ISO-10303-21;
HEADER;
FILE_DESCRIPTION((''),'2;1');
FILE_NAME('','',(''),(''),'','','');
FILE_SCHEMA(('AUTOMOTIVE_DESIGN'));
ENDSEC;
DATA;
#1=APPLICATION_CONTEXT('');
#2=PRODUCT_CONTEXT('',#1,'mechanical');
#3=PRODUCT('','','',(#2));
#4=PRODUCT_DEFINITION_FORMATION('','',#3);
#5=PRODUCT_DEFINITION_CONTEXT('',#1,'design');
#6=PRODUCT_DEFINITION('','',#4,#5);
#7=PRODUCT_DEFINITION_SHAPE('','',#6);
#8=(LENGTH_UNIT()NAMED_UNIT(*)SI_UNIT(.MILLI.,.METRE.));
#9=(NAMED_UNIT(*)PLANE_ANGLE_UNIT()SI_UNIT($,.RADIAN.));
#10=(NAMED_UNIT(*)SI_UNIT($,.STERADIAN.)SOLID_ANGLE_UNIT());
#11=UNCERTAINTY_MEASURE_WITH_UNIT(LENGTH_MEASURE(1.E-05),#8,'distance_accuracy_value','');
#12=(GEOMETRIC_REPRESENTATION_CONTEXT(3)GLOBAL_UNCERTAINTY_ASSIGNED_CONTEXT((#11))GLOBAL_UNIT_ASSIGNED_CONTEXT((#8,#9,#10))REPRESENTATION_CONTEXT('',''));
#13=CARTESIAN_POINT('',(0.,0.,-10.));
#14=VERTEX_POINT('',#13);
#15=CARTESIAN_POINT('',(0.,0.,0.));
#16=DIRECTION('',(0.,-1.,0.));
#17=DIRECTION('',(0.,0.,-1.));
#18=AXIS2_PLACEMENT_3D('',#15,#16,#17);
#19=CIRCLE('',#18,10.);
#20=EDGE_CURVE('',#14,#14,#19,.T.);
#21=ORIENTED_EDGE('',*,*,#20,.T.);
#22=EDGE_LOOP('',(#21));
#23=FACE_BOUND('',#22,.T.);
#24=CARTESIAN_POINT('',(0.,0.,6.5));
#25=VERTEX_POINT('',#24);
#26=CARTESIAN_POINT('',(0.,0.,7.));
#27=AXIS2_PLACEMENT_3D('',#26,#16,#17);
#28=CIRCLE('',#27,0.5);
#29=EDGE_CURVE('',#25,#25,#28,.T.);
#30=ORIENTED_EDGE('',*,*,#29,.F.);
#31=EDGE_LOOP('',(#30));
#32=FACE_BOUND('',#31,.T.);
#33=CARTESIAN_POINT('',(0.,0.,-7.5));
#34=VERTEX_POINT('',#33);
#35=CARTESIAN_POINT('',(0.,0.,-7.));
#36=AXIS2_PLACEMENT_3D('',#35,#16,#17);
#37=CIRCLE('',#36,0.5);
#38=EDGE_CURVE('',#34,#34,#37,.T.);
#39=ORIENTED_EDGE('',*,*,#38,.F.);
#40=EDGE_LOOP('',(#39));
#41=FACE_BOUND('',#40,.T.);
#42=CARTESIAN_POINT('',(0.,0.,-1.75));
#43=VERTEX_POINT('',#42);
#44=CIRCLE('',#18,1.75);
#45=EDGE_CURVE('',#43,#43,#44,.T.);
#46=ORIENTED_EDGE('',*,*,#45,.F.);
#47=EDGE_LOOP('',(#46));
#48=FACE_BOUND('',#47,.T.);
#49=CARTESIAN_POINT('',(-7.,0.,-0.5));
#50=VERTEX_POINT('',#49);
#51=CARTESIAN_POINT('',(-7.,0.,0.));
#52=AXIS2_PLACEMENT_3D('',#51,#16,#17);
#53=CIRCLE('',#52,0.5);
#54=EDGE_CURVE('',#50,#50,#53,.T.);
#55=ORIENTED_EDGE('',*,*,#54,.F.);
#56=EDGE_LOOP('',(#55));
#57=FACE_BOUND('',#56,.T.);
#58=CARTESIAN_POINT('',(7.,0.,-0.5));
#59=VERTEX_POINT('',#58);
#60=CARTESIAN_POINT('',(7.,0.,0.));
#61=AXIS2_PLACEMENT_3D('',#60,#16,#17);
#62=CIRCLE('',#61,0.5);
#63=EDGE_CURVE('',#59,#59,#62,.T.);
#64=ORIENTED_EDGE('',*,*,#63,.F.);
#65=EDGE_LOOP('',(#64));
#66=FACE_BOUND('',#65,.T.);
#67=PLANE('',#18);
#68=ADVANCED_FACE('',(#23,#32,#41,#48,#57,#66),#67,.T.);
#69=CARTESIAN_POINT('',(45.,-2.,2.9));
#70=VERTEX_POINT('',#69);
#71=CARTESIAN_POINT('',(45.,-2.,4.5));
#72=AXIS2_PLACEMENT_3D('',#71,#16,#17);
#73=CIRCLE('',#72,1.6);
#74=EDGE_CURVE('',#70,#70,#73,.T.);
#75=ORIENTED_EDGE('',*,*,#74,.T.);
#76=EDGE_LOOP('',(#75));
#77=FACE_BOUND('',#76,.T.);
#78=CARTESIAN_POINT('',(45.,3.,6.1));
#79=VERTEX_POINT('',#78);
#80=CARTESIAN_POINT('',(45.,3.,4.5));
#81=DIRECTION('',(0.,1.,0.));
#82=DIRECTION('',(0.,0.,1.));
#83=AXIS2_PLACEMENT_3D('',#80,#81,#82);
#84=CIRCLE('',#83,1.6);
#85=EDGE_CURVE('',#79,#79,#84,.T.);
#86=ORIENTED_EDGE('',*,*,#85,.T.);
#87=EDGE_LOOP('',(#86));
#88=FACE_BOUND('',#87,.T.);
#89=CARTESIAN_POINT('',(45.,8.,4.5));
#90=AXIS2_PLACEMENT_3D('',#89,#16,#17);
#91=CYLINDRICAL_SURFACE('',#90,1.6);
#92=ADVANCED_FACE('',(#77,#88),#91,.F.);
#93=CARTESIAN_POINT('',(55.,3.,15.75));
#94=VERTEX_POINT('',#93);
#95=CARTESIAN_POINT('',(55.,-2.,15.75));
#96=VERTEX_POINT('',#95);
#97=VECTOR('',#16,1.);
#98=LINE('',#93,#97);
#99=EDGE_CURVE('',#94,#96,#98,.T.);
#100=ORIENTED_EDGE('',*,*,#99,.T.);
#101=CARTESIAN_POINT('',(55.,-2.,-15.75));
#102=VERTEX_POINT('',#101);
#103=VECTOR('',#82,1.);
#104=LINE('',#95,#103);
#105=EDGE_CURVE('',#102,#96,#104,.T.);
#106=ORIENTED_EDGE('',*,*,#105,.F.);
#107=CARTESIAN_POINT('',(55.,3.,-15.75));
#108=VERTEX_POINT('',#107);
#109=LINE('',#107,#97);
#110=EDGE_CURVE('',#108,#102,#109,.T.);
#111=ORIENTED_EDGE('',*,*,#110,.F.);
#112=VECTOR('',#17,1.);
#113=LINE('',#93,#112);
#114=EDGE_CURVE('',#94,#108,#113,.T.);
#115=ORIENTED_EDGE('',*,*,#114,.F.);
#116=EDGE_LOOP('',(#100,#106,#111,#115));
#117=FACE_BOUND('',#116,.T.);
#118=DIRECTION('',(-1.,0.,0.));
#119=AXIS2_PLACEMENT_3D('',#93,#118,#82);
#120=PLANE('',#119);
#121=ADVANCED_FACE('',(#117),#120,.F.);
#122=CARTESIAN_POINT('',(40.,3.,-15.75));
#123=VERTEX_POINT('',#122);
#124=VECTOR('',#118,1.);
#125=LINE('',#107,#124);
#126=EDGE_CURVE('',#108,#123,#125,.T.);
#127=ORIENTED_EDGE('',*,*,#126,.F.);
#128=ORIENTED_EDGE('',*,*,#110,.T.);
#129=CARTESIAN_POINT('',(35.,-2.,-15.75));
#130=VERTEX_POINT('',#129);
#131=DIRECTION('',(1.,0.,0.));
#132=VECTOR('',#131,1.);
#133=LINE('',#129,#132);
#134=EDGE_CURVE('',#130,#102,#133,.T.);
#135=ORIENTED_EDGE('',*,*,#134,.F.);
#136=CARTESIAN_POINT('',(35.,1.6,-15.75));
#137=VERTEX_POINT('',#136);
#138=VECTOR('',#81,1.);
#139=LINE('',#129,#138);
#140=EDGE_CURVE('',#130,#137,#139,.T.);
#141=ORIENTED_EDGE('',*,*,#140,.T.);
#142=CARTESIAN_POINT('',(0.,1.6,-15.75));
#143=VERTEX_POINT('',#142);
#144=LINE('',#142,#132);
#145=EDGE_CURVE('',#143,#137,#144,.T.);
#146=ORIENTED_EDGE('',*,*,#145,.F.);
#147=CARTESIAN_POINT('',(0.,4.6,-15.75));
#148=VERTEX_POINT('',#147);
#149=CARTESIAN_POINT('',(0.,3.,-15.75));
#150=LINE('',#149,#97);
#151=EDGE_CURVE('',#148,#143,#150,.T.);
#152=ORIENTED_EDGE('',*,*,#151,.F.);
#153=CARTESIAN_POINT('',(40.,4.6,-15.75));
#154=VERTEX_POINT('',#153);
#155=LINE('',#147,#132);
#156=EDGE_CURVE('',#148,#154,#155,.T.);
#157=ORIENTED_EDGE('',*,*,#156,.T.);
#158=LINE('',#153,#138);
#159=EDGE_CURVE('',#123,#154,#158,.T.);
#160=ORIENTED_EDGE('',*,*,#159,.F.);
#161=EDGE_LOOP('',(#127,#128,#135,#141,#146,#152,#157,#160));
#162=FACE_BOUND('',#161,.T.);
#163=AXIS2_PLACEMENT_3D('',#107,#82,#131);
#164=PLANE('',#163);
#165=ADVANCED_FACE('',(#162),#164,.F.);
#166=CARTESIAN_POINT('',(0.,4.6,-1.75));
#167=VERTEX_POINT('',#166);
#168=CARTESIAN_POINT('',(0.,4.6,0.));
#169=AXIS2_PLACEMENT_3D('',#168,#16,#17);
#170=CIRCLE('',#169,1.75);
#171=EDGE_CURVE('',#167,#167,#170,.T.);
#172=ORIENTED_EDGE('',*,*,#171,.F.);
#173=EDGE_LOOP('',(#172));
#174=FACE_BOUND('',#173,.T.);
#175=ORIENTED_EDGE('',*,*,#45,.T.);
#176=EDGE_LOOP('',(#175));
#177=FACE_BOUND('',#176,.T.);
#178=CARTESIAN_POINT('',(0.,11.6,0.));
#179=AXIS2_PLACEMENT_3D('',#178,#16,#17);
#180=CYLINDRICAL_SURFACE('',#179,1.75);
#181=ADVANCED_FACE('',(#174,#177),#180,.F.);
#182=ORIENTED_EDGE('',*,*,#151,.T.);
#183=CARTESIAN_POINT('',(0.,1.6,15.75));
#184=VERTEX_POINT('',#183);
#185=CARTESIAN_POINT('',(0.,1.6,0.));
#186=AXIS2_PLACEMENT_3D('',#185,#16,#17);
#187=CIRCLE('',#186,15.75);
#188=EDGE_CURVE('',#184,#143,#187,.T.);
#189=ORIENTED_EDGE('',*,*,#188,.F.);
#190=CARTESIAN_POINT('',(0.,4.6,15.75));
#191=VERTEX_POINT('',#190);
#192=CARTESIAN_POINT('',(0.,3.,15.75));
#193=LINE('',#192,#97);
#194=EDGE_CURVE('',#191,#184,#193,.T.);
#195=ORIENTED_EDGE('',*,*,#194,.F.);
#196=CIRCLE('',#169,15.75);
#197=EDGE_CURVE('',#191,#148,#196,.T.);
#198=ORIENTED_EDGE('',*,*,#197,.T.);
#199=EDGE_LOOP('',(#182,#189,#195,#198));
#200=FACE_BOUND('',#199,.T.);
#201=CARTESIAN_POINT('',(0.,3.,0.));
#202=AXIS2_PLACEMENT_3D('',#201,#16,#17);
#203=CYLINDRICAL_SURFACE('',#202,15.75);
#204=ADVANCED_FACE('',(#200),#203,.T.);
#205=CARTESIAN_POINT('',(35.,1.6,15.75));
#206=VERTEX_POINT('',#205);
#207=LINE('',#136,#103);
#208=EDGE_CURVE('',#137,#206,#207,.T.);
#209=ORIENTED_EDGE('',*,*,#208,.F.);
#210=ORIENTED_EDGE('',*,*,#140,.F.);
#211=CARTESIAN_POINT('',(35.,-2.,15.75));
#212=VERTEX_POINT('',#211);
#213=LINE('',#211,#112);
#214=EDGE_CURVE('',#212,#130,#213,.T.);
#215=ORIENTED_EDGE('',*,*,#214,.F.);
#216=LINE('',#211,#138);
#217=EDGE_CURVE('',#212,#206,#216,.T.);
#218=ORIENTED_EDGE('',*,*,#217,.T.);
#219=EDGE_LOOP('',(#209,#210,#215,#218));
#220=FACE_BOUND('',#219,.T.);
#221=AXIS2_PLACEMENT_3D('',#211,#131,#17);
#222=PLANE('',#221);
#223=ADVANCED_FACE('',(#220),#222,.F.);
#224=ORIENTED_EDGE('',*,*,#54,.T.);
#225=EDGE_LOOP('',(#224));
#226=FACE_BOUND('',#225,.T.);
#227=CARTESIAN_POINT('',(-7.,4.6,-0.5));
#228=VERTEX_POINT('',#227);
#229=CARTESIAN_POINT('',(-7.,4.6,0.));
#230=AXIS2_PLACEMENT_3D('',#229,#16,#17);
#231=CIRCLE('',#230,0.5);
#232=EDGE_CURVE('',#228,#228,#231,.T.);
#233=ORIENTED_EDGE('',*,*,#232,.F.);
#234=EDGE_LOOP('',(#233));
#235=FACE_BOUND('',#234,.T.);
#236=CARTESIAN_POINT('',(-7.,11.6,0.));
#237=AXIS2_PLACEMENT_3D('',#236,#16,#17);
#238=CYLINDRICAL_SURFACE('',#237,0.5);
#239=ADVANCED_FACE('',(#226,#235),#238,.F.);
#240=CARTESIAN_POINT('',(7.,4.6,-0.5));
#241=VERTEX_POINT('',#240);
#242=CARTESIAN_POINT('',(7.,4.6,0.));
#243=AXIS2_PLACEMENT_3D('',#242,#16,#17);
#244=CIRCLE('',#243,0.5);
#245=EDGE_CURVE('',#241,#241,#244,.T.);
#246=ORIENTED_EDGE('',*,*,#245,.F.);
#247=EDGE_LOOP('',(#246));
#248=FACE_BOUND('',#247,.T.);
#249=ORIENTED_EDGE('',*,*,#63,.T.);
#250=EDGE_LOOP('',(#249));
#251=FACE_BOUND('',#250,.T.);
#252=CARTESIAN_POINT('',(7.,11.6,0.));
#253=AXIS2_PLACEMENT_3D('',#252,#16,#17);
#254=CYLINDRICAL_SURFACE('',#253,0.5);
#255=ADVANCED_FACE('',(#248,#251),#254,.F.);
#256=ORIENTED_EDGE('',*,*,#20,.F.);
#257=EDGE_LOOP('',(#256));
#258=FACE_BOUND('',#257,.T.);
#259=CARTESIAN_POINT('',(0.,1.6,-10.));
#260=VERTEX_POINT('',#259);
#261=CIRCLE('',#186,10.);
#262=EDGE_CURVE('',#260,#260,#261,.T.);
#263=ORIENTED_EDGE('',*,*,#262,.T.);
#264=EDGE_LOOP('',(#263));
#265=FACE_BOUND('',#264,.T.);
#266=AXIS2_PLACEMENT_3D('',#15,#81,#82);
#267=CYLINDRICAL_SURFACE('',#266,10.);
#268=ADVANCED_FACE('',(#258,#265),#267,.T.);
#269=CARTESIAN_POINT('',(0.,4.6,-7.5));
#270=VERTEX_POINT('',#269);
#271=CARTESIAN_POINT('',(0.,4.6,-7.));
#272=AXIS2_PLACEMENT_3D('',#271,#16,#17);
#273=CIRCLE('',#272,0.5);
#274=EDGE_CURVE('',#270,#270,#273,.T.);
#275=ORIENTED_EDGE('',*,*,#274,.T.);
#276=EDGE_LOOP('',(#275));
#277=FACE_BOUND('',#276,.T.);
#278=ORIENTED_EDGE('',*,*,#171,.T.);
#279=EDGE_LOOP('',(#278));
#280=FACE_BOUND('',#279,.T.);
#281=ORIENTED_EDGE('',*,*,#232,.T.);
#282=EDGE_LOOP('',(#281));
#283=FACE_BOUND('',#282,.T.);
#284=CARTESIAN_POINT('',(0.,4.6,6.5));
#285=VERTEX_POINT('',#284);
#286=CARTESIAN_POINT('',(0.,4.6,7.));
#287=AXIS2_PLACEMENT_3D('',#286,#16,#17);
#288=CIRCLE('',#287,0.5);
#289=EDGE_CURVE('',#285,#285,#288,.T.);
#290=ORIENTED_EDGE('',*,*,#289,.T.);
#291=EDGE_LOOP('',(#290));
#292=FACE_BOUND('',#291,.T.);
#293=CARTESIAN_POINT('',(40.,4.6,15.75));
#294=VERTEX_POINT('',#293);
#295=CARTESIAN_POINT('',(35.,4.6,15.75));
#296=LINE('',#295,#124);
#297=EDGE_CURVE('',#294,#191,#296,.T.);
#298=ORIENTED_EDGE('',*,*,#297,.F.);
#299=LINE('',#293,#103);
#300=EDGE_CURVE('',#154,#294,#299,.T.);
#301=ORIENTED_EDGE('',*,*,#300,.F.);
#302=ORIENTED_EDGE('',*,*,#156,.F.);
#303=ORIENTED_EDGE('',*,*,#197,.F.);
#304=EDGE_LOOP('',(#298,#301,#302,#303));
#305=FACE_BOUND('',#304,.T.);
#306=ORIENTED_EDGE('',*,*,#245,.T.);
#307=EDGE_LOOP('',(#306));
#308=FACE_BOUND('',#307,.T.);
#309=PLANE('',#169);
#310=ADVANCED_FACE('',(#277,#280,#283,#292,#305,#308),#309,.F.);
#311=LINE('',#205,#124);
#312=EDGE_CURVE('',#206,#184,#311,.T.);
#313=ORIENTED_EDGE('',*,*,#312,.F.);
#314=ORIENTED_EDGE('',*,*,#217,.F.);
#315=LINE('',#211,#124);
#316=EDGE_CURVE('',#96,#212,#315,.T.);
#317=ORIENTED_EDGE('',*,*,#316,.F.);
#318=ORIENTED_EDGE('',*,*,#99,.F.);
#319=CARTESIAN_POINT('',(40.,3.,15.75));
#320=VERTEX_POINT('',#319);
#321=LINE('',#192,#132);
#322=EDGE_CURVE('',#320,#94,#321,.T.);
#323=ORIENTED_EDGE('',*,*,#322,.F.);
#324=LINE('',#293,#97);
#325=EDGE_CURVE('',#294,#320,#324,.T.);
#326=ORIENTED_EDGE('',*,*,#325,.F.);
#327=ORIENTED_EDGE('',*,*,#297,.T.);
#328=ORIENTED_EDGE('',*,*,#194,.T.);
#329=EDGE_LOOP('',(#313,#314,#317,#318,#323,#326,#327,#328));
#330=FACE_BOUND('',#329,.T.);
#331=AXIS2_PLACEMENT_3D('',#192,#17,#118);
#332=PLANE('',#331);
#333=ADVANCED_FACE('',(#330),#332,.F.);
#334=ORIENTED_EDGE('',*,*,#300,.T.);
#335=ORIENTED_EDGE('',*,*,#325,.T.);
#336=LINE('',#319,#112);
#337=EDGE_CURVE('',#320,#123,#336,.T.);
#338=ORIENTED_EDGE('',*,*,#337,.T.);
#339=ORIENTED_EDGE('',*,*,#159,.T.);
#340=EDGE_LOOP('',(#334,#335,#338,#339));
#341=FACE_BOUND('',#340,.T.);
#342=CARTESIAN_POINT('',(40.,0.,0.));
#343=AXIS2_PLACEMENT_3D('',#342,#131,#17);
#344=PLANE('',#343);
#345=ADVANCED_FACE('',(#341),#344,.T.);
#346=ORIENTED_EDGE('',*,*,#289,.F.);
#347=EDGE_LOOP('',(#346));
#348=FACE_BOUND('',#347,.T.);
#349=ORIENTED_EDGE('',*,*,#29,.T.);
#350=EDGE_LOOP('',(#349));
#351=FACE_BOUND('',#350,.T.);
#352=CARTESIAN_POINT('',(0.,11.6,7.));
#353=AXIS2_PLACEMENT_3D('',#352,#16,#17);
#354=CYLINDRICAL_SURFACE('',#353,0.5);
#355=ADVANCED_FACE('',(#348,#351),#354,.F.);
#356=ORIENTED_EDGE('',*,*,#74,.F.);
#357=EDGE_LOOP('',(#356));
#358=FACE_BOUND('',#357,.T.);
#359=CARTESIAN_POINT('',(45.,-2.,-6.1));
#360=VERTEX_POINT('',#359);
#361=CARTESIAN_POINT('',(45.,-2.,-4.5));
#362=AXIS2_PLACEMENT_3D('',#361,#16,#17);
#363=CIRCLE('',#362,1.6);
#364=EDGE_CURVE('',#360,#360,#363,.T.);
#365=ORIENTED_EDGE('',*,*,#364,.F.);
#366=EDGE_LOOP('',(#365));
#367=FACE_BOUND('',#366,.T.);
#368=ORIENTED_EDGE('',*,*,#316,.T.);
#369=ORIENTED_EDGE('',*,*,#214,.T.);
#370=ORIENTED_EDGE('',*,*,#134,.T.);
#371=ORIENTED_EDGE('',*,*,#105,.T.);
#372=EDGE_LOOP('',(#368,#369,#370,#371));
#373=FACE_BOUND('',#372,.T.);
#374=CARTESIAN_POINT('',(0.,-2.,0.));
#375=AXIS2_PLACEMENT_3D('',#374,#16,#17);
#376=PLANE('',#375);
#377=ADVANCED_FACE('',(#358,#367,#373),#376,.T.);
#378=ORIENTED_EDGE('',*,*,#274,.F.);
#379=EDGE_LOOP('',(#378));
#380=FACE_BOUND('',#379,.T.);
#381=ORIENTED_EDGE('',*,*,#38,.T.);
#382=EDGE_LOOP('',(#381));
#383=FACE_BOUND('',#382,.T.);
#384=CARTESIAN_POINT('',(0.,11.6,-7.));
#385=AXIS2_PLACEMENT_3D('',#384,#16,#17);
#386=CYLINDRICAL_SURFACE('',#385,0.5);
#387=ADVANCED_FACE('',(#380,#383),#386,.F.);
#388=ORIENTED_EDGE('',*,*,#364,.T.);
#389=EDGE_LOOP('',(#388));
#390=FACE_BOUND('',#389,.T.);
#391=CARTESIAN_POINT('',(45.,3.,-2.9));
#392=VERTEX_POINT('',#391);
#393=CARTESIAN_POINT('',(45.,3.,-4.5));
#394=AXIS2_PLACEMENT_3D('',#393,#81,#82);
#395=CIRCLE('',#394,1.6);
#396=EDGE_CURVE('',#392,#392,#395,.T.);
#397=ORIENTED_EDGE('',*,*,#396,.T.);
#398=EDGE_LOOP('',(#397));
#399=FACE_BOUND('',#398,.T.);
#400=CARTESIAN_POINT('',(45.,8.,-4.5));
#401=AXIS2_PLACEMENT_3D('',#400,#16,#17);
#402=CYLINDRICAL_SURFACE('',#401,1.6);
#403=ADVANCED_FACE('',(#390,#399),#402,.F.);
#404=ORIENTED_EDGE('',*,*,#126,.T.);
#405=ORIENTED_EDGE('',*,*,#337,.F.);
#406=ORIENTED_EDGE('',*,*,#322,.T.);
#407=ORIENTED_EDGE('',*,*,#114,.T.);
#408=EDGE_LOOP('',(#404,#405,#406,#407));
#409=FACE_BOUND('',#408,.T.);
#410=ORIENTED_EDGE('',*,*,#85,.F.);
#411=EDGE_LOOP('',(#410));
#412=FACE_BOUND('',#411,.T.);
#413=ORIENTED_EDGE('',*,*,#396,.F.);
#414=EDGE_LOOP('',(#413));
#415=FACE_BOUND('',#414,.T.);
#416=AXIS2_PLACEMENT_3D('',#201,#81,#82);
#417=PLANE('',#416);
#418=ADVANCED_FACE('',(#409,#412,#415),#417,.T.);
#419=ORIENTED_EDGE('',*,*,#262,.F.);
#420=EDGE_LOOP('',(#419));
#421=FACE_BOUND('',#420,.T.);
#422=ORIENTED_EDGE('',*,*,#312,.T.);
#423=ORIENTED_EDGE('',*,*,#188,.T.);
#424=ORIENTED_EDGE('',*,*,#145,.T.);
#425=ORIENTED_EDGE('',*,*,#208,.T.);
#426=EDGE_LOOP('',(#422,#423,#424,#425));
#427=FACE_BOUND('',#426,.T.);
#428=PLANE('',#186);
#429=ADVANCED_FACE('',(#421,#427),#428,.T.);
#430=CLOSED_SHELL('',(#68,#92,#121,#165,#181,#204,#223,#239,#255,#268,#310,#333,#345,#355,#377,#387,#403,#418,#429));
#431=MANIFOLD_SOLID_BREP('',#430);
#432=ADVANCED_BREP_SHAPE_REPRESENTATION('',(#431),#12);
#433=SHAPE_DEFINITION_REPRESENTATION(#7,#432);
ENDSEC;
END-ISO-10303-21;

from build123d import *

# Parameters (mm, degrees)
EXTRUDE_1_DEPTH     = 3
SKETCH_3_W          = 20
SKETCH_3_H          = 31.5
EXTRUDE_2_DEPTH     = 2
SKETCH_4_R          = 0.5
CUT_EXTRUDE_1_DEPTH = 10
SKETCH_5_R          = 1.6
CUT_EXTRUDE_2_DEPTH = 10
SKETCH_6_R          = 1.75
CUT_EXTRUDE_3_DEPTH = 17
CUT_EXTRUDE_4_DEPTH = 1.6
EXTRUDE_3_DEPTH     = 3
SKETCH_9_W          = 31.5
SKETCH_9_H          = 1.6
EXTRUDE_4_DEPTH     = 3
SKETCH_10_R         = 1.75
SKETCH_10_R_2       = 0.5
CUT_EXTRUDE_5_DEPTH = 10
SKETCH_12_R         = 10
EXTRUDE_6_DEPTH     = 1.6
SKETCH_13_W         = 31.5
SKETCH_13_H         = 1.6
EXTRUDE_7_DEPTH     = 2
SKETCH_15_R         = 1.75
SKETCH_15_R_2       = 0.5
CUT_EXTRUDE_6_DEPTH = 12


with BuildPart() as part:
    # 草图1 → 凸台-拉伸1 (new body)
    with BuildSketch(Plane(origin=(0, 0, 0), x_dir=(1, 0, 0), z_dir=(0, 1, 0))):
        with BuildLine():
            Line((0, -15.75), (55, -15.75))
            Line((55, -15.75), (55, 15.75))
            Line((55, 15.75), (0, 15.75))
            ThreePointArc((0, 15.75), (-15.75, 0), (0, -15.75))
        make_face()
    extrude(amount=EXTRUDE_1_DEPTH)

    # 草图3 → 凸台-拉伸2 (add)
    with BuildSketch(Plane.XZ):
        with Locations((45, 0)):
            Rectangle(SKETCH_3_W, SKETCH_3_H)
    extrude(amount=EXTRUDE_2_DEPTH)

    # 草图4 → 切除-拉伸1 (cut)
    with BuildSketch(Plane.XZ):
        with Locations((0, 7)):
            Circle(SKETCH_4_R)
        with Locations((7, 0)):
            Circle(SKETCH_4_R)
        with Locations((0, -7)):
            Circle(SKETCH_4_R)
        with Locations((-7, 0)):
            Circle(SKETCH_4_R)
    extrude(amount=-CUT_EXTRUDE_1_DEPTH, mode=Mode.SUBTRACT)

    # 草图5 → 切除-拉伸2 (cut)
    with BuildSketch(Plane.XZ.offset(2)):
        with Locations((45, -4.5)):
            Circle(SKETCH_5_R)
        with Locations((45, 4.5)):
            Circle(SKETCH_5_R)
    extrude(amount=-CUT_EXTRUDE_2_DEPTH, mode=Mode.SUBTRACT)

    # 草图6 → 切除-拉伸3 (cut)
    with BuildSketch(Plane.XZ):
        Circle(SKETCH_6_R)
    extrude(amount=-CUT_EXTRUDE_3_DEPTH, mode=Mode.SUBTRACT)

    # 草图7 → 切除-拉伸4 (cut)
    with BuildSketch(Plane.XZ):
        with BuildLine():
            Line((35, -15.75), (35, 15.75))
            Line((35, 15.75), (0, 15.75))
            ThreePointArc((0, 15.75), (-15.75, 0), (0, -15.75))
            Line((0, -15.75), (35, -15.75))
        make_face()
    extrude(amount=-CUT_EXTRUDE_4_DEPTH, mode=Mode.SUBTRACT)

    # 草图8 → 凸台-拉伸3 (add)
    with BuildSketch(Plane.XZ.offset(-1.6)):
        with BuildLine():
            Line((0, -15.75), (35, -15.75))
            Line((35, -15.75), (35, 15.75))
            Line((35, 15.75), (0, 15.75))
            ThreePointArc((0, 15.75), (-15.75, 0), (0, -15.75))
        make_face()
    extrude(amount=-EXTRUDE_3_DEPTH)

    # 草图9 → 凸台-拉伸4 (add)
    with BuildSketch(Plane(origin=(35, 0, 0), x_dir=(0, 0, -1), z_dir=(1, 0, 0))):
        with Locations((0, 3.8)):
            Rectangle(SKETCH_9_W, SKETCH_9_H)
    extrude(amount=EXTRUDE_4_DEPTH)

    # 草图10 → 切除-拉伸5 (cut)
    with BuildSketch(Plane.XZ.offset(-1.6)):
        Circle(SKETCH_10_R)
        with Locations((0, 7)):
            Circle(SKETCH_10_R_2)
        with Locations((7, 0)):
            Circle(SKETCH_10_R_2)
        with Locations((0, -7)):
            Circle(SKETCH_10_R_2)
        with Locations((-7, 0)):
            Circle(SKETCH_10_R_2)
    extrude(amount=-CUT_EXTRUDE_5_DEPTH, mode=Mode.SUBTRACT)

    # 草图12 → 凸台-拉伸6 (add)
    with BuildSketch(Plane.XZ.offset(-1.6)):
        Circle(SKETCH_12_R)
    extrude(amount=EXTRUDE_6_DEPTH)

    # 草图13 → 凸台-拉伸7 (add)
    with BuildSketch(Plane(origin=(38, 0, 0), x_dir=(0, 0, -1), z_dir=(1, 0, 0))):
        with Locations((0, 3.8)):
            Rectangle(SKETCH_13_W, SKETCH_13_H)
    extrude(amount=EXTRUDE_7_DEPTH)

    # 草图15 → 切除-拉伸6 (cut)
    with BuildSketch(Plane.XZ):
        Circle(SKETCH_15_R)
        with Locations((7, 0)):
            Circle(SKETCH_15_R_2)
        with Locations((0, -7)):
            Circle(SKETCH_15_R_2)
        with Locations((0, 7)):
            Circle(SKETCH_15_R_2)
        with Locations((-7, 0)):
            Circle(SKETCH_15_R_2)
    extrude(amount=-CUT_EXTRUDE_6_DEPTH, mode=Mode.SUBTRACT)


solid = part.part
